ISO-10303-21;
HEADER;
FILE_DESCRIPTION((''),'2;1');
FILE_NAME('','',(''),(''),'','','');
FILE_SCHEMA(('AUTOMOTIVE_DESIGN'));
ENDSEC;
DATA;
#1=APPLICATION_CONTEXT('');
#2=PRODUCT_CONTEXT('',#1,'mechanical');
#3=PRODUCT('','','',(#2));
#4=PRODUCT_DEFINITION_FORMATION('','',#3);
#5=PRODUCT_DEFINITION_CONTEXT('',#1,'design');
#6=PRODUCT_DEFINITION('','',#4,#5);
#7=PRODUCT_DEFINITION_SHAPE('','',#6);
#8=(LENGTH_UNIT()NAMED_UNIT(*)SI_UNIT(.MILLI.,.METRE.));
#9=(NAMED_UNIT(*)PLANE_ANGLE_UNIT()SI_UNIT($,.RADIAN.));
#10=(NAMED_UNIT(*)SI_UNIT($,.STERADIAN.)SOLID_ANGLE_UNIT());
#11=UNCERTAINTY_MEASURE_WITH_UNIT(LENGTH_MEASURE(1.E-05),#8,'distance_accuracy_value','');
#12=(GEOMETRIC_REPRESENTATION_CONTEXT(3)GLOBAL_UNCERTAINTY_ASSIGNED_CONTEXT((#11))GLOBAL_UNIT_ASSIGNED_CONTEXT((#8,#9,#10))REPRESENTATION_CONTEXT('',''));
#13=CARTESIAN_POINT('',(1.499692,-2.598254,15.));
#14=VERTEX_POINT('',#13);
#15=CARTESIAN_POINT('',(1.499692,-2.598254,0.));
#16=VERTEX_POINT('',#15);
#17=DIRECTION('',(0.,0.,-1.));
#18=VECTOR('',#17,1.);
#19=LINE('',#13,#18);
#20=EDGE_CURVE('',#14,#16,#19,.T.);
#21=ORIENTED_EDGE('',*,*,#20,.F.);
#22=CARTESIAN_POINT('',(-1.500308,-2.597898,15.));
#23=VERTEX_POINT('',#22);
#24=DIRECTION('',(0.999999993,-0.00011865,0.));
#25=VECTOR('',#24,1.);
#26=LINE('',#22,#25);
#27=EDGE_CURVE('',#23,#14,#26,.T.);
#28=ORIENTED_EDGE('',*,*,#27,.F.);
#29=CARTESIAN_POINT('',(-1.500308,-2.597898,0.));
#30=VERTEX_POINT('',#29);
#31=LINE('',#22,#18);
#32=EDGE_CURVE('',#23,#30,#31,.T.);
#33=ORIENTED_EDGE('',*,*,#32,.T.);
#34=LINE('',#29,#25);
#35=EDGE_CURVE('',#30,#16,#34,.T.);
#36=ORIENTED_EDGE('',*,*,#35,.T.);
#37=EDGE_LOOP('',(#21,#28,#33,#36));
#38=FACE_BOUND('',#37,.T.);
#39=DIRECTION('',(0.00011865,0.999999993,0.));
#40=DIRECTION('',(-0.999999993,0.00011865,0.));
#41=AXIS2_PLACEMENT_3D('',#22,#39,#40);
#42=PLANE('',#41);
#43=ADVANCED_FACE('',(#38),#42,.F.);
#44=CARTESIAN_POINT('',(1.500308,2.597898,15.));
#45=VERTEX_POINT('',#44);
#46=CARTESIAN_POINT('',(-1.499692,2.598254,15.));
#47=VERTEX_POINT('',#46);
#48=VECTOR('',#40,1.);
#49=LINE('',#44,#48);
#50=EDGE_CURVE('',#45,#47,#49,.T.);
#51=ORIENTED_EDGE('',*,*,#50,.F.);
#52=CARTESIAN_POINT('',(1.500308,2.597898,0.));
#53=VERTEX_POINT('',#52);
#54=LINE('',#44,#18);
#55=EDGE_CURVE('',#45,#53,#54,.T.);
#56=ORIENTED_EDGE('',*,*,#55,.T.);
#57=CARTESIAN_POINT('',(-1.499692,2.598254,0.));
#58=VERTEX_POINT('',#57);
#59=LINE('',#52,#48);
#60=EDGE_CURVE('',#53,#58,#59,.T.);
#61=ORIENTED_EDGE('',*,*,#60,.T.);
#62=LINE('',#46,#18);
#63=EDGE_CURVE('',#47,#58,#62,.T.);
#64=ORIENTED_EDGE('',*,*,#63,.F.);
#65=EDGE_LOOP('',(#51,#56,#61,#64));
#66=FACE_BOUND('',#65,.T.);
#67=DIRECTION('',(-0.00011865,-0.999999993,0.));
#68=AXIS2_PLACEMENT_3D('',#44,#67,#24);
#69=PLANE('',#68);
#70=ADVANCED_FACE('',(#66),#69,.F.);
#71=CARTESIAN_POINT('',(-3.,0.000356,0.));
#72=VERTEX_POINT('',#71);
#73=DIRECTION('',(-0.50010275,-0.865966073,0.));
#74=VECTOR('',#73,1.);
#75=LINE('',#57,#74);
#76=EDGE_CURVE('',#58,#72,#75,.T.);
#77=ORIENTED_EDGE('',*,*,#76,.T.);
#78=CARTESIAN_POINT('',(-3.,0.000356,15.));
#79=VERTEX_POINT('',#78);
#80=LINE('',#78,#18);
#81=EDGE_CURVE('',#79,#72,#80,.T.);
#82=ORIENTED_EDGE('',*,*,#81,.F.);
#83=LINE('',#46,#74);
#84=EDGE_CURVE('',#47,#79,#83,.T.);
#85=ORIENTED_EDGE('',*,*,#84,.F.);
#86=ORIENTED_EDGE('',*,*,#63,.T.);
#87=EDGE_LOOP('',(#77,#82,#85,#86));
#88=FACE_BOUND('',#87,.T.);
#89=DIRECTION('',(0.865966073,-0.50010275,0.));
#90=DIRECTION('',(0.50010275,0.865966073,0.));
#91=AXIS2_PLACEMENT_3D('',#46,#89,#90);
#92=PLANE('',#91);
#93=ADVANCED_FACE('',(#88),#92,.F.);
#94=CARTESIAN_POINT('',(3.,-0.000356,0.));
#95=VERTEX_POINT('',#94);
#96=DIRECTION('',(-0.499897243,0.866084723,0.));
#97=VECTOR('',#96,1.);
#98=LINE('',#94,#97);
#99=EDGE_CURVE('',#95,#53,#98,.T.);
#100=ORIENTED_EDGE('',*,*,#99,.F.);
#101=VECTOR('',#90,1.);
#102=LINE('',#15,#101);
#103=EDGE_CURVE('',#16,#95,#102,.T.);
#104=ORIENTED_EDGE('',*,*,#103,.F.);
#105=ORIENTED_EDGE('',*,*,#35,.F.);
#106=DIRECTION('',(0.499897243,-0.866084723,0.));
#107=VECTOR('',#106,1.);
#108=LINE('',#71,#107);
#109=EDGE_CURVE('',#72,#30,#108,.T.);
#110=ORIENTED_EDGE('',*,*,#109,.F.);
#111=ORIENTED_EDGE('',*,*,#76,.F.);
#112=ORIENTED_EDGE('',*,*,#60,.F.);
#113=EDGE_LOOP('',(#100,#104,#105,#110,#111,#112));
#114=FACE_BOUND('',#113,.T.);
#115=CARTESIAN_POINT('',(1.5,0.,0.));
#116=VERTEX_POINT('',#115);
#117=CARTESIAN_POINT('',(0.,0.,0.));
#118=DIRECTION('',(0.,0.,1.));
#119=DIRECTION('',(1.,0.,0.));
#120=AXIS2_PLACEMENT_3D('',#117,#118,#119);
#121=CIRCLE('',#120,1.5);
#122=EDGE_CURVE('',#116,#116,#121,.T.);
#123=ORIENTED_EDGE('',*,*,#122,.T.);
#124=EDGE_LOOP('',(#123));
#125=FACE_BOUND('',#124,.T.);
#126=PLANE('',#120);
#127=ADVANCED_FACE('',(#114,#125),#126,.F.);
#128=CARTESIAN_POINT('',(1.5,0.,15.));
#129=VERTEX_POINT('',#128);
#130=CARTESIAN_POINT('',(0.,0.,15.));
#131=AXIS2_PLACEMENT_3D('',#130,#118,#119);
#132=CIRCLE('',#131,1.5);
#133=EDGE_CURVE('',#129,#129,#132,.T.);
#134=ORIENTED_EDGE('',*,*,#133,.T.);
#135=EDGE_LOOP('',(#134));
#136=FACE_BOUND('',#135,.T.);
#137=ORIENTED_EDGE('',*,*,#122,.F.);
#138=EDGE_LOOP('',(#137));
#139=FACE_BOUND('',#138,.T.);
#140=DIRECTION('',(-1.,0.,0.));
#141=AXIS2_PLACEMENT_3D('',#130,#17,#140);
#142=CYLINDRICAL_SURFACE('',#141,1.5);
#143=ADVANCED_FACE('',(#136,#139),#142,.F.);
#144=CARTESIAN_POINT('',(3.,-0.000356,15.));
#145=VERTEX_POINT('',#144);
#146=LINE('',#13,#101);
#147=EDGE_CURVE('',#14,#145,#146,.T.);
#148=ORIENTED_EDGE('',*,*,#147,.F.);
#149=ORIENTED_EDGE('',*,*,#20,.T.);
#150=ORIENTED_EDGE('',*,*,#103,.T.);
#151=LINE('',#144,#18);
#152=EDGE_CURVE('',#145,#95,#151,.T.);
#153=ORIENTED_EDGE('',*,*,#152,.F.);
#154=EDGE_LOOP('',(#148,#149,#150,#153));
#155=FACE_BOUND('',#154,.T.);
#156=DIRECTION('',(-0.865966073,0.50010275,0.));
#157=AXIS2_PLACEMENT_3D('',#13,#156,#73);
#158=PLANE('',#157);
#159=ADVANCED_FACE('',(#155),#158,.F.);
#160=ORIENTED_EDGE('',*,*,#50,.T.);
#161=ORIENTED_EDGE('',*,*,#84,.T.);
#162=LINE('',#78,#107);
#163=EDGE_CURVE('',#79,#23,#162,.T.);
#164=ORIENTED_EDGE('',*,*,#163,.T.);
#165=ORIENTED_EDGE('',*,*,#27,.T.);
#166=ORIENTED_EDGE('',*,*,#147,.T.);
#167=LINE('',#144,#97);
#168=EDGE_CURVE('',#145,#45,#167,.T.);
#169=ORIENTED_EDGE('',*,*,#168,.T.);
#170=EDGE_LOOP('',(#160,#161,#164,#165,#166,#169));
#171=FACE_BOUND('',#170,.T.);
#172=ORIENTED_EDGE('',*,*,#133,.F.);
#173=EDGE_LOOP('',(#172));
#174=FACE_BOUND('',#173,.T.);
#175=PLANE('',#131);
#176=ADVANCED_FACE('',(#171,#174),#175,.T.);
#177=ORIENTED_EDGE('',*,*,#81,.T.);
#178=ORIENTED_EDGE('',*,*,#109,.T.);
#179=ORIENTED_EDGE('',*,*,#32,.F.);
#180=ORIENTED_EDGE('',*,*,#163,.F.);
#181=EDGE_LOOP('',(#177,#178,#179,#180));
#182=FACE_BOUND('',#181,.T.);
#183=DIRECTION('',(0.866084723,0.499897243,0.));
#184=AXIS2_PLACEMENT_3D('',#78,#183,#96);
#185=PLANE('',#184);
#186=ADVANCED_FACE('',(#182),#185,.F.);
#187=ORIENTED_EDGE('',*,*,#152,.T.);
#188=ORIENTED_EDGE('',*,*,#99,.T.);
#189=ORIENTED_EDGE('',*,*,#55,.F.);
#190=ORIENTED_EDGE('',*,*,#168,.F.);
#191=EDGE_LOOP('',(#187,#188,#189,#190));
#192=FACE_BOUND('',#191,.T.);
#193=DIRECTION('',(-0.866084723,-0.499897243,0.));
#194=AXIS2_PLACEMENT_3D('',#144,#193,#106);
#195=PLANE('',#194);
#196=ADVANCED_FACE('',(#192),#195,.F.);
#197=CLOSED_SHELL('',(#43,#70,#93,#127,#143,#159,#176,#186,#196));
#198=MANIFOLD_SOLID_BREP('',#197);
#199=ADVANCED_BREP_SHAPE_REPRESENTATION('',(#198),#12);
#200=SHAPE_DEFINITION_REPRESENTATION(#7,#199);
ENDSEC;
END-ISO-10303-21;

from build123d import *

# Parameters (mm, degrees)
CROQUIS1_R              = 1.5
SALIENTE_EXTRUIR1_DEPTH = 15


with BuildPart() as part:
    # Croquis1 → Saliente-Extruir1 (new body)
    with BuildSketch(Plane.XY):
        Polygon((1.500308251, 2.597898218), (-1.499691728, 2.598254168), (-2.999999979, 0.000355949), (-1.500308251, -2.597898218), (1.499691728, -2.598254168), (2.999999979, -0.000355949), align=None)
        Circle(CROQUIS1_R, mode=Mode.SUBTRACT)
    extrude(amount=SALIENTE_EXTRUIR1_DEPTH)


solid = part.part
